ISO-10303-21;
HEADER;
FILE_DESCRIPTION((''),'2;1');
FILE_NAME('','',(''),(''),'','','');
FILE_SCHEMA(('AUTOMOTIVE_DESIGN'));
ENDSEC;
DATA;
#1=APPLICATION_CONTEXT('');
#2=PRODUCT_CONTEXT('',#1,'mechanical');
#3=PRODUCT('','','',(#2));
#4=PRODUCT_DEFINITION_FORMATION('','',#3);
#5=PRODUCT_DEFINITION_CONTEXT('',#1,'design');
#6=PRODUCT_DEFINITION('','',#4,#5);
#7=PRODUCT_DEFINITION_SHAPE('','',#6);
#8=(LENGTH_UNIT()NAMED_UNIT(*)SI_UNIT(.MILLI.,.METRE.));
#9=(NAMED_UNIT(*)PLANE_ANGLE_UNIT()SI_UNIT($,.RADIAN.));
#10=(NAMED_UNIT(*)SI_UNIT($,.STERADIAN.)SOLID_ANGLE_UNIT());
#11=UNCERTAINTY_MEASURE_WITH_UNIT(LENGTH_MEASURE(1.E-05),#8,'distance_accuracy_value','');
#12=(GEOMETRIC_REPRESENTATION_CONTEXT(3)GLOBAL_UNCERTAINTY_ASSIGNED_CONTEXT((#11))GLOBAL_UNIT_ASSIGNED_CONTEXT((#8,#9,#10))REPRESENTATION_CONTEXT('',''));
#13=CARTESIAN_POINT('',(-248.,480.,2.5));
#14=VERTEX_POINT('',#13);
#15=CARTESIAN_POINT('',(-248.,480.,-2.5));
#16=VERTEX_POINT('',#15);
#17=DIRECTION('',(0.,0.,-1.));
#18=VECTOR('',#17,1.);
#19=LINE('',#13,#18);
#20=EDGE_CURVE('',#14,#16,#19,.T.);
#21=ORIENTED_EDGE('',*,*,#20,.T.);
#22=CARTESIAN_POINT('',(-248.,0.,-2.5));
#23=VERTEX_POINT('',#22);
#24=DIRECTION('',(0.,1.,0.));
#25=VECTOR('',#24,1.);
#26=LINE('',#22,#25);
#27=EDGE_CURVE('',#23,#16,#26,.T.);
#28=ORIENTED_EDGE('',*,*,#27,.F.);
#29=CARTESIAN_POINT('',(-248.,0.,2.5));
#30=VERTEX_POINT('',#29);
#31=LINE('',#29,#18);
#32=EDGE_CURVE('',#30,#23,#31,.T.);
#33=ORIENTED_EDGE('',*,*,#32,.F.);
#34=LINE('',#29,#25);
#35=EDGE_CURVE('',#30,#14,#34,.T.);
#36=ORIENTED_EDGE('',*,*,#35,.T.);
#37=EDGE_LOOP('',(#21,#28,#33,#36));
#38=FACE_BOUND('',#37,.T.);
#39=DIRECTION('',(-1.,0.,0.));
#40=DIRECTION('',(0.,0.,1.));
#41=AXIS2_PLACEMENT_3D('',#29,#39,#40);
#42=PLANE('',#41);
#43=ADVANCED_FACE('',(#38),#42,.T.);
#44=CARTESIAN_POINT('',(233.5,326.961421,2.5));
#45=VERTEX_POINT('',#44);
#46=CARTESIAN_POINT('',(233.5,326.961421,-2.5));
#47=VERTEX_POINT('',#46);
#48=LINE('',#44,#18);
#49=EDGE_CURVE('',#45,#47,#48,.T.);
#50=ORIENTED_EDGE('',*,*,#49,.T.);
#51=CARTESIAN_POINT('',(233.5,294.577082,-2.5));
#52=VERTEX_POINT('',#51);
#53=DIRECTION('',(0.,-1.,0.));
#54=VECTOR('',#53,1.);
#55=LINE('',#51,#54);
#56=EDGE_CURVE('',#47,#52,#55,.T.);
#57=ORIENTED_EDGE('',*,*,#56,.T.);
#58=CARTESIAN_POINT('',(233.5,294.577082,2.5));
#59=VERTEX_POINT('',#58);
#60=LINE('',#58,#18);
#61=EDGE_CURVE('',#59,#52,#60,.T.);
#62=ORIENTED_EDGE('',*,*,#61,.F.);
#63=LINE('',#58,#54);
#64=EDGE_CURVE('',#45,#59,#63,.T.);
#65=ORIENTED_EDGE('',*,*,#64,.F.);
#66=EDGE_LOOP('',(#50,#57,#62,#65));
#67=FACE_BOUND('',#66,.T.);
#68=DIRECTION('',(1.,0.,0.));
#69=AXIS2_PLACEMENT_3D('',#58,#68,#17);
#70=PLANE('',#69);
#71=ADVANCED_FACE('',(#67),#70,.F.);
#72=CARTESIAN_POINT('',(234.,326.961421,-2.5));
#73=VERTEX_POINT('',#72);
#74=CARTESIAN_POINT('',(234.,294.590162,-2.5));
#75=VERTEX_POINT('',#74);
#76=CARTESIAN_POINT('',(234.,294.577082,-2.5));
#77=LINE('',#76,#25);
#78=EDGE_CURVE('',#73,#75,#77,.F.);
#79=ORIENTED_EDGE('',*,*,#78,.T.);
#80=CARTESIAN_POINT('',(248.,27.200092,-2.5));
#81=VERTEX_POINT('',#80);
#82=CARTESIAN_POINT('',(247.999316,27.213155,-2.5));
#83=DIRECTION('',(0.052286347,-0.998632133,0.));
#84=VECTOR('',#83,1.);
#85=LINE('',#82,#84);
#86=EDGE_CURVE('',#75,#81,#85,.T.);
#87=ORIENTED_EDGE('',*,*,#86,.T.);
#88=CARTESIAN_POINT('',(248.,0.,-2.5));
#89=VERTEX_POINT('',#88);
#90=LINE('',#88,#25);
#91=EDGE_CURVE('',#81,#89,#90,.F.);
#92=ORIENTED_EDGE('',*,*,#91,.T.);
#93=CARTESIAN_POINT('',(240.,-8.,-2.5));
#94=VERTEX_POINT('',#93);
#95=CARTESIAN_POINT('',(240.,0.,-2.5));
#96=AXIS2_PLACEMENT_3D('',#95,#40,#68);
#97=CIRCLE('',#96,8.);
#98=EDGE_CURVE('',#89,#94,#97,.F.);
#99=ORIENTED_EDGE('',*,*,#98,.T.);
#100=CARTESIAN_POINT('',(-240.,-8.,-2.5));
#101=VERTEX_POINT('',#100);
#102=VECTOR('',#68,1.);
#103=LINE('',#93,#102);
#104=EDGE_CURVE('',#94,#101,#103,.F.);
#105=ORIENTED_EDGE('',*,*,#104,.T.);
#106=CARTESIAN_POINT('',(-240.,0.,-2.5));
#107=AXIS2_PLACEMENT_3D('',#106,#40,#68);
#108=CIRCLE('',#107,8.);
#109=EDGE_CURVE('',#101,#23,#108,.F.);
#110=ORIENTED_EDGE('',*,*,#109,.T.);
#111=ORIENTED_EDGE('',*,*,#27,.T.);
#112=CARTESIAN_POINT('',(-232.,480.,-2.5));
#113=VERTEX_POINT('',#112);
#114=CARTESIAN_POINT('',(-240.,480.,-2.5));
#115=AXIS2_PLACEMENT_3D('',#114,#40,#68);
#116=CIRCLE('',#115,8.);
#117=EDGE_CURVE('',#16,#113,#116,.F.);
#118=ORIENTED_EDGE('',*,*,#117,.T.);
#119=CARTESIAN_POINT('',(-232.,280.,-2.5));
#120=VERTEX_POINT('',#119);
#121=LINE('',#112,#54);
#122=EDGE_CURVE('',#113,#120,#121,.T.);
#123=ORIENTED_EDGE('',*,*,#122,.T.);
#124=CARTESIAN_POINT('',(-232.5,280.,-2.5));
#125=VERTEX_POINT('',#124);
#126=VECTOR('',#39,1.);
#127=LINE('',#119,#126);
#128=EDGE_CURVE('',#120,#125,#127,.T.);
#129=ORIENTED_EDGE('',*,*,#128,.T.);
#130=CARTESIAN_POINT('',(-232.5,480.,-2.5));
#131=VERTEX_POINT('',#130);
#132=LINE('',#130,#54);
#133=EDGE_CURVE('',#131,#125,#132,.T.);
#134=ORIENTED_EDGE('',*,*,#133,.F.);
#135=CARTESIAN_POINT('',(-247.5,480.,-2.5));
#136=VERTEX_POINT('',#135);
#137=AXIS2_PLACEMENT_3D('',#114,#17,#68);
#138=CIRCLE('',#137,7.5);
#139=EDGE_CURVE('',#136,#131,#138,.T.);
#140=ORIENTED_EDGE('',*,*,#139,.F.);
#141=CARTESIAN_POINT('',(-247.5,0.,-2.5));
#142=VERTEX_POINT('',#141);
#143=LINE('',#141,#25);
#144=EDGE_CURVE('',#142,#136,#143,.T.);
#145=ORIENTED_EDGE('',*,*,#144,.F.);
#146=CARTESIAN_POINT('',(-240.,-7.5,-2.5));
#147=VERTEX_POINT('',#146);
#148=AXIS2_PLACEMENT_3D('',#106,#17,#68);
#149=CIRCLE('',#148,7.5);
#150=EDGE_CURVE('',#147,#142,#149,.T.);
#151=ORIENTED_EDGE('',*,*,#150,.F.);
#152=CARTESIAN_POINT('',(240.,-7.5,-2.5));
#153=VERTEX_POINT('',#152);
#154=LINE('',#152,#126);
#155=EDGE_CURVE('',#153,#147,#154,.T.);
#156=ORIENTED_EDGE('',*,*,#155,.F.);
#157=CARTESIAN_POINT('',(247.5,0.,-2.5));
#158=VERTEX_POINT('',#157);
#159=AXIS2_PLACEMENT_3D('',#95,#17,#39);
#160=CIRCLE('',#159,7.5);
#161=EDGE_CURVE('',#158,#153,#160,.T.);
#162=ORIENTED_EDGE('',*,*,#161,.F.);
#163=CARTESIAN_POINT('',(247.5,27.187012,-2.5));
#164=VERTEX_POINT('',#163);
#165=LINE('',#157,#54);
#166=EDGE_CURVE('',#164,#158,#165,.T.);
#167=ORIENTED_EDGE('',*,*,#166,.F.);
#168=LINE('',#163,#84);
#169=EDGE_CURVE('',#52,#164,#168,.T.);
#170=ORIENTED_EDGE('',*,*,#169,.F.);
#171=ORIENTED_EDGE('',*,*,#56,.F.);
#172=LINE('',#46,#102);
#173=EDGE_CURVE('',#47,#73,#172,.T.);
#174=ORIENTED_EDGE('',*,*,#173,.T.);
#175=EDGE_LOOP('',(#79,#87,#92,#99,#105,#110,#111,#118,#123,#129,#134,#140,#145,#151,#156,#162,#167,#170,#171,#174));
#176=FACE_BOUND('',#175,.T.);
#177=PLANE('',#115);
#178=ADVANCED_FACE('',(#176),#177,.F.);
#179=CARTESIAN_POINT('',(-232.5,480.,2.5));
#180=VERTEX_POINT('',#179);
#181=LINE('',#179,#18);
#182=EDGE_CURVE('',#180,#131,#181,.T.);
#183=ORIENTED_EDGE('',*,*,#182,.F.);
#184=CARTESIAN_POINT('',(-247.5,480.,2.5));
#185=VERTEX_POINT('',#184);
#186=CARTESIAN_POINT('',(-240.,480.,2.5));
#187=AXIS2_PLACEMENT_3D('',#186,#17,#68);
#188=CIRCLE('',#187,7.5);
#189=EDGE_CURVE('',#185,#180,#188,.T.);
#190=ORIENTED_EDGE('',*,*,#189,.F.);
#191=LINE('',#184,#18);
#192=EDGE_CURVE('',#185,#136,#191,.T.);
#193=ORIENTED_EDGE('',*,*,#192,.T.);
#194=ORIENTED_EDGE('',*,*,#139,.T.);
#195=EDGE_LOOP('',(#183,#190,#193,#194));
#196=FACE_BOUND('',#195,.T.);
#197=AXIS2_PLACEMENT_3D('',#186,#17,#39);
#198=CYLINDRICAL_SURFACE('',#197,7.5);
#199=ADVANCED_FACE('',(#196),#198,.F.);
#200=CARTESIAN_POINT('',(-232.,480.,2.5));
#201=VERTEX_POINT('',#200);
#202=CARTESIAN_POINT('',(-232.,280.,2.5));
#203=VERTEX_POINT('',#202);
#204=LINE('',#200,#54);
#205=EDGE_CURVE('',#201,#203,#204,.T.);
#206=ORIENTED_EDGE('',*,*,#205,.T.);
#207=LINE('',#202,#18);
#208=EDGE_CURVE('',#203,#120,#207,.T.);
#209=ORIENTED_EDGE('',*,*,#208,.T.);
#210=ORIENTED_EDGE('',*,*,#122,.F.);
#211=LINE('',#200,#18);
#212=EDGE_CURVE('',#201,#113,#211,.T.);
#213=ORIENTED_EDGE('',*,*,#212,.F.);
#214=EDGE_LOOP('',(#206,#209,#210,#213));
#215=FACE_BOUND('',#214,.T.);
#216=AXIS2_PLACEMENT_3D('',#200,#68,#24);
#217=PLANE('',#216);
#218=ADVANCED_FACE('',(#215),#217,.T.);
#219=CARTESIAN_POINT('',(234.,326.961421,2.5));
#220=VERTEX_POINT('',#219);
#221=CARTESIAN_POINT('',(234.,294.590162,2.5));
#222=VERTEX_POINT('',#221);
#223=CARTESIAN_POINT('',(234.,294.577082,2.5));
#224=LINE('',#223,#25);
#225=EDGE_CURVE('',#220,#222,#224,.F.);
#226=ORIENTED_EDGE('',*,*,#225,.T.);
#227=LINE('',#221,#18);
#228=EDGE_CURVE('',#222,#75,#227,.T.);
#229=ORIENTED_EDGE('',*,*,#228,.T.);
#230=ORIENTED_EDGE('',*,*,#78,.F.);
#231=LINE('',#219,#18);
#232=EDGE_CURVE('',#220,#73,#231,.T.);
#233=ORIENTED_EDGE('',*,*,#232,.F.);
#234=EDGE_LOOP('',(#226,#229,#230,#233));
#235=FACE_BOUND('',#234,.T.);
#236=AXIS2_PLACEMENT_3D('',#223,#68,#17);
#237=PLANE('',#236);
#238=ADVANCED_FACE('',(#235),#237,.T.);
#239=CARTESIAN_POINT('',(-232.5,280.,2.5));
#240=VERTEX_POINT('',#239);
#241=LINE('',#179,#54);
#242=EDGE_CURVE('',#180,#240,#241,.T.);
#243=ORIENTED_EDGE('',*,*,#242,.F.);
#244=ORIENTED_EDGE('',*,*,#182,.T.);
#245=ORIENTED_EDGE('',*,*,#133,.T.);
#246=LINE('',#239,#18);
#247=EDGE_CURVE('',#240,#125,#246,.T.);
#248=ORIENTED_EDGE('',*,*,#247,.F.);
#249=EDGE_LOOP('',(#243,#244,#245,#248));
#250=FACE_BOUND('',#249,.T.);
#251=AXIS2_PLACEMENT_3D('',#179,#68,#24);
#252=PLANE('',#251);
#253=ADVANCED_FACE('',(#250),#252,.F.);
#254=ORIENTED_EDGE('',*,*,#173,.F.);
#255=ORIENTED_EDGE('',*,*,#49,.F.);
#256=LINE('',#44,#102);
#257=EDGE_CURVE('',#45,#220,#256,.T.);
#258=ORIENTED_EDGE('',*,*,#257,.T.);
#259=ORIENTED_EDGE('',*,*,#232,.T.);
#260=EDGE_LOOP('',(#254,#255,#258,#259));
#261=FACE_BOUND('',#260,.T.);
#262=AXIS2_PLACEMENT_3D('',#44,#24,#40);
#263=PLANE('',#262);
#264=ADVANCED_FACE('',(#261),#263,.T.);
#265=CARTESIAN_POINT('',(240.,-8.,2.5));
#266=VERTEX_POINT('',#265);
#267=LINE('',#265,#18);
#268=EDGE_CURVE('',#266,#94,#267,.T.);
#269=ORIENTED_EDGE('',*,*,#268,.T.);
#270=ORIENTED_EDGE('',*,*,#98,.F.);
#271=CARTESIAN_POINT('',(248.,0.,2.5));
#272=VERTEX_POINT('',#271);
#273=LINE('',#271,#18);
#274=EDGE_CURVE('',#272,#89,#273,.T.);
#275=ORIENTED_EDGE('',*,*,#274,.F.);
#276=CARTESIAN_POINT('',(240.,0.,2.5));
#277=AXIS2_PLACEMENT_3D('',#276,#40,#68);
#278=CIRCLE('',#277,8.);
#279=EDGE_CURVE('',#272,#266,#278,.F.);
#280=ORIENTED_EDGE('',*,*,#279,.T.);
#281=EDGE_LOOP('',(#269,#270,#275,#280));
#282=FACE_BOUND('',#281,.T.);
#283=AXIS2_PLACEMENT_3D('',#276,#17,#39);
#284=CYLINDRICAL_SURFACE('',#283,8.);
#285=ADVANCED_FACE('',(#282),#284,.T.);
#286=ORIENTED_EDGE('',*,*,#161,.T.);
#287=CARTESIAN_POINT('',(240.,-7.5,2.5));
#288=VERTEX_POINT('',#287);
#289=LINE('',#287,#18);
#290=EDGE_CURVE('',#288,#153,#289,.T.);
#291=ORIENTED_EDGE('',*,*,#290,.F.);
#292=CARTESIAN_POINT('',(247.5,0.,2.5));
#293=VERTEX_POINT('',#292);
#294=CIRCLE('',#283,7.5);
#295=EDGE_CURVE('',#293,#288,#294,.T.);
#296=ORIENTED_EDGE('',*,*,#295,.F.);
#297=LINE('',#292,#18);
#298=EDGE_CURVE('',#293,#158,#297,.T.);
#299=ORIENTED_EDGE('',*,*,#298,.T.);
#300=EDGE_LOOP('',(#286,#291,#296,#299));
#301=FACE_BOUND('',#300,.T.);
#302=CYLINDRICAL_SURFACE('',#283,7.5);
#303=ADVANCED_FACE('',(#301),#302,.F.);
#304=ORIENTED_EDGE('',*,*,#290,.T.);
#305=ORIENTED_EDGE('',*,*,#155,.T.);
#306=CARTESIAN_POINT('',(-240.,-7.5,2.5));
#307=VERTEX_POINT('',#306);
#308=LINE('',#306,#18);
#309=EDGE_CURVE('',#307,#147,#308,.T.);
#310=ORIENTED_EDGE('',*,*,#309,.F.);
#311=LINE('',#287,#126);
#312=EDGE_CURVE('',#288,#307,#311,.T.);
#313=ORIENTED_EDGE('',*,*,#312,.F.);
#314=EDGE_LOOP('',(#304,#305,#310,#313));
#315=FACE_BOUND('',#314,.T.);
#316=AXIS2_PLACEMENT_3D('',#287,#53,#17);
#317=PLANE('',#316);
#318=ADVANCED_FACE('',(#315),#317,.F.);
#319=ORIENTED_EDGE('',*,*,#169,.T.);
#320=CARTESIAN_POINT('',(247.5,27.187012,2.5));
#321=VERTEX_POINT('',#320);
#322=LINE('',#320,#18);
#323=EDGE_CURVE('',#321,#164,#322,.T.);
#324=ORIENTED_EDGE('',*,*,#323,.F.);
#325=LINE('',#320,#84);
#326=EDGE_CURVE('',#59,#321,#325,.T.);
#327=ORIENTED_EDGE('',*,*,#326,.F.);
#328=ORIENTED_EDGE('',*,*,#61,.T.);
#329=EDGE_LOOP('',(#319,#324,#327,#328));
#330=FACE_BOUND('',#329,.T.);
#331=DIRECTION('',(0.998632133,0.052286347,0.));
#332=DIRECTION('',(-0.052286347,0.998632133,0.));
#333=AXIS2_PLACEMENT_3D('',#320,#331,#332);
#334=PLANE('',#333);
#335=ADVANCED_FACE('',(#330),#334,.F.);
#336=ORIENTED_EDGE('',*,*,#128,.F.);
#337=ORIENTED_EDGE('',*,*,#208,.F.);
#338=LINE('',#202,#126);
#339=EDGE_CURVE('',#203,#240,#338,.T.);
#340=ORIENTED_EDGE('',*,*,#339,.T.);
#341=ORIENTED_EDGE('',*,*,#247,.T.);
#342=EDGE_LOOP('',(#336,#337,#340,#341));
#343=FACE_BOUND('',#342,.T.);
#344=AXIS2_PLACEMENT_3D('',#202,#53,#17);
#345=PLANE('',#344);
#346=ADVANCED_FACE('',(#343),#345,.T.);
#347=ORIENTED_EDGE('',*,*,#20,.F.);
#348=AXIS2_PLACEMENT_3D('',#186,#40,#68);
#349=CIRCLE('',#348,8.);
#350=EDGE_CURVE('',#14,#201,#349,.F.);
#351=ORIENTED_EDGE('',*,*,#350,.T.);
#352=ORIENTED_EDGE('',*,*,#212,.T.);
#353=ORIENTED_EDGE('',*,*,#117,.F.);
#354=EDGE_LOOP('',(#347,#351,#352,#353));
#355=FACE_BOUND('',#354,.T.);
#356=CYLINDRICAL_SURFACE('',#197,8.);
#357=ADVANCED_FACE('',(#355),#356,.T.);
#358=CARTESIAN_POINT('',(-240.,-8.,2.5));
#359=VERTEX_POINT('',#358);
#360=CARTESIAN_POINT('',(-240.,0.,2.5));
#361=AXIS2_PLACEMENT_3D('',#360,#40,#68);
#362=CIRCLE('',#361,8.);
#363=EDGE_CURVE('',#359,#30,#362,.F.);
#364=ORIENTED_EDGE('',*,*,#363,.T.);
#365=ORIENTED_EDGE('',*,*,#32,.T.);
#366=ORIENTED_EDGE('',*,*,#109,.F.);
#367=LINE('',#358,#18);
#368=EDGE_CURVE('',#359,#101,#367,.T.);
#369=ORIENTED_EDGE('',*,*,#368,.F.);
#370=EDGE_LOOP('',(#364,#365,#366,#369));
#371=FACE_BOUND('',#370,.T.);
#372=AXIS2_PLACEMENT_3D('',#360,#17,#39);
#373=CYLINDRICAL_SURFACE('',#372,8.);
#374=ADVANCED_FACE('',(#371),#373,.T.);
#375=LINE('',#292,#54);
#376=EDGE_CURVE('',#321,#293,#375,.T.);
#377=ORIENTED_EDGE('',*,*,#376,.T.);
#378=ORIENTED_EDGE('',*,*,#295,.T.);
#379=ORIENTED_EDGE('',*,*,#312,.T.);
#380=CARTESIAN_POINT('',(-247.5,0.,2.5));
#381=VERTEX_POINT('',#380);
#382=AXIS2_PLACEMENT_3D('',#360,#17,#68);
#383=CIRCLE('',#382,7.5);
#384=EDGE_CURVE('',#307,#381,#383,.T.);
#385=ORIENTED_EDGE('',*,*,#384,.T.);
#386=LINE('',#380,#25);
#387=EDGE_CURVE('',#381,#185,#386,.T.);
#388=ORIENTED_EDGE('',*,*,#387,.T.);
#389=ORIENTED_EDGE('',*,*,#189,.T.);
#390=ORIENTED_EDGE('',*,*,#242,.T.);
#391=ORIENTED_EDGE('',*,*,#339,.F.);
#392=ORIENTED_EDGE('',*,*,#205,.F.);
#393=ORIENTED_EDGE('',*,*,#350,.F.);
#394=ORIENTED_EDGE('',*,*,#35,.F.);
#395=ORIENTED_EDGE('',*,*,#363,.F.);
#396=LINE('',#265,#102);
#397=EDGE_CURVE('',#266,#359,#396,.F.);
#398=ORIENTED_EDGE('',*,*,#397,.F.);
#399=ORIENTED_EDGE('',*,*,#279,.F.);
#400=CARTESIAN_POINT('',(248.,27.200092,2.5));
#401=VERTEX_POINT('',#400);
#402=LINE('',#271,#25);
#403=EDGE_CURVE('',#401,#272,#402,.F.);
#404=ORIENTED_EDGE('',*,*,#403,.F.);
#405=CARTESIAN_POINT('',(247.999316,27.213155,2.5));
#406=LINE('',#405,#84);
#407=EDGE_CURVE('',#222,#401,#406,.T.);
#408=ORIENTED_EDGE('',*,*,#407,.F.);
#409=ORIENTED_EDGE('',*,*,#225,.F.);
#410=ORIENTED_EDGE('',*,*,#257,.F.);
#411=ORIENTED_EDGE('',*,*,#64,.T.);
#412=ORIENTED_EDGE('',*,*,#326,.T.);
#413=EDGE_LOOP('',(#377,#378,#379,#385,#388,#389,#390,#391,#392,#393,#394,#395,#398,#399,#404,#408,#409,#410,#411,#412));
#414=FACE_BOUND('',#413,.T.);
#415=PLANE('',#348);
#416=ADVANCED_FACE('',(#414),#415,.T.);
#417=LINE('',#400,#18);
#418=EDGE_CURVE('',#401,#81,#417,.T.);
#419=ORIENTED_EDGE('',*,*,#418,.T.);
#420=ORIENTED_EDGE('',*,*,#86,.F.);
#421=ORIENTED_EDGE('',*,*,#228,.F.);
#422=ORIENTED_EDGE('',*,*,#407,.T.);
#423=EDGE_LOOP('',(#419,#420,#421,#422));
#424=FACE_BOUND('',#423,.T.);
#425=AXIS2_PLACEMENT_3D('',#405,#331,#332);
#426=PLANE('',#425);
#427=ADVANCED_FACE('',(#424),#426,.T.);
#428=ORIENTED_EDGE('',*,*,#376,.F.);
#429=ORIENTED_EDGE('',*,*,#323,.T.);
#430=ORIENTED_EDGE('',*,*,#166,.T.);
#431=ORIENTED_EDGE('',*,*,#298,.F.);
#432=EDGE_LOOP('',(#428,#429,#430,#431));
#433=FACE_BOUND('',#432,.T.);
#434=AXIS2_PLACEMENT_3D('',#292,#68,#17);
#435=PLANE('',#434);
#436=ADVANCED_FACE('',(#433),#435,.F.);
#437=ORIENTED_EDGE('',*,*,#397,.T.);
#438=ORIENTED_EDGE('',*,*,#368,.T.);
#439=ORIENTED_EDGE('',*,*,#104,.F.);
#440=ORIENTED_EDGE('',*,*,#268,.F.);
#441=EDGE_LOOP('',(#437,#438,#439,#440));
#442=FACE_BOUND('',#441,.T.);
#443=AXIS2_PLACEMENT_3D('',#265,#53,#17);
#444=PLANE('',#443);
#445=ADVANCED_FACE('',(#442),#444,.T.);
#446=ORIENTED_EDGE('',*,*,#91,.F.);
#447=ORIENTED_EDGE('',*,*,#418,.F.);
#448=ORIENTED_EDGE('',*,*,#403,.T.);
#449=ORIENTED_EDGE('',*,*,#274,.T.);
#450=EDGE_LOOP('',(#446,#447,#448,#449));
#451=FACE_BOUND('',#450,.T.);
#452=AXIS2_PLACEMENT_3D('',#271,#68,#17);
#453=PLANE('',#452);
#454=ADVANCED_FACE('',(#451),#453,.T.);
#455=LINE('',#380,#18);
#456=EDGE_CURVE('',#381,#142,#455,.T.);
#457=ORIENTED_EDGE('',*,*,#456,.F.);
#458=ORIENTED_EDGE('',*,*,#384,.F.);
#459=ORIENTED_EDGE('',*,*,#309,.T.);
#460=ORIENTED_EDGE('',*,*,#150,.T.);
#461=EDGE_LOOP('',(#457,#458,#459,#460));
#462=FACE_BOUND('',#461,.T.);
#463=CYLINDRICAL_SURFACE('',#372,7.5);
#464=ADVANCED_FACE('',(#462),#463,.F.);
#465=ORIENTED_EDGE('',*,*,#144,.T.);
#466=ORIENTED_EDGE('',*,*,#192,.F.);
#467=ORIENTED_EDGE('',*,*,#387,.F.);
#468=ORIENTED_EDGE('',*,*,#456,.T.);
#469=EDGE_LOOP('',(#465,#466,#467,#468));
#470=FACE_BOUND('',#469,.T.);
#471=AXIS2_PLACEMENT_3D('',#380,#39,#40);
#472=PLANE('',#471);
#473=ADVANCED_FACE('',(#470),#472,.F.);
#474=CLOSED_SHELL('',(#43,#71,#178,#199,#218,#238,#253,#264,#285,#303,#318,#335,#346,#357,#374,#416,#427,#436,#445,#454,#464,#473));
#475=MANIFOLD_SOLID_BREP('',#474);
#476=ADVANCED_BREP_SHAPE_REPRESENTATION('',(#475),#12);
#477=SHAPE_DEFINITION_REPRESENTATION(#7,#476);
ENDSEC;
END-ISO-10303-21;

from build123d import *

# Parameters (mm, degrees)
LINEAR_AUSTRAGEN_D_NN1_DEPTH = 2.5


with BuildPart() as part:
    # Skizze1 → Linear-Austragen-Dünn1 (new, symmetric)
    with BuildSketch(Plane.XY):
        with BuildLine():
            Line((233.5, 326.961421282), (233.5, 294.5770817))
            Line((233.5, 294.5770817), (247.5, 27.187011832))
            Line((247.5, 27.187011832), (247.5, 0))
            ThreePointArc((247.5, 0), (245.303300859, -5.303300859), (240, -7.5))
            Line((240, -7.5), (-240, -7.5))
            ThreePointArc((-240, -7.5), (-245.303300859, -5.303300859), (-247.5, 0))
            Line((-247.5, 0), (-247.5, 480))
            ThreePointArc((-247.5, 480), (-240, 487.5), (-232.5, 480))
            Line((-232.5, 480), (-232.5, 280))
            Line((-232.5, 280), (-232, 280))
            Line((-232, 280), (-232, 480))
            ThreePointArc((-232, 480), (-240, 488), (-248, 480))
            Line((-248, 480), (-248, 0))
            ThreePointArc((-248, 0), (-245.656854249, -5.656854249), (-240, -8))
            Line((-240, -8), (240, -8))
            ThreePointArc((240, -8), (245.656854249, -5.656854249), (248, 0))
            Line((248, 0), (248, 27.200092364))
            Line((248, 27.200092364), (234, 294.590162233))
            Line((234, 294.590162233), (234, 326.961421282))
            Line((234, 326.961421282), (233.5, 326.961421282))
        make_face()
    extrude(amount=LINEAR_AUSTRAGEN_D_NN1_DEPTH, both=True)


solid = part.part
